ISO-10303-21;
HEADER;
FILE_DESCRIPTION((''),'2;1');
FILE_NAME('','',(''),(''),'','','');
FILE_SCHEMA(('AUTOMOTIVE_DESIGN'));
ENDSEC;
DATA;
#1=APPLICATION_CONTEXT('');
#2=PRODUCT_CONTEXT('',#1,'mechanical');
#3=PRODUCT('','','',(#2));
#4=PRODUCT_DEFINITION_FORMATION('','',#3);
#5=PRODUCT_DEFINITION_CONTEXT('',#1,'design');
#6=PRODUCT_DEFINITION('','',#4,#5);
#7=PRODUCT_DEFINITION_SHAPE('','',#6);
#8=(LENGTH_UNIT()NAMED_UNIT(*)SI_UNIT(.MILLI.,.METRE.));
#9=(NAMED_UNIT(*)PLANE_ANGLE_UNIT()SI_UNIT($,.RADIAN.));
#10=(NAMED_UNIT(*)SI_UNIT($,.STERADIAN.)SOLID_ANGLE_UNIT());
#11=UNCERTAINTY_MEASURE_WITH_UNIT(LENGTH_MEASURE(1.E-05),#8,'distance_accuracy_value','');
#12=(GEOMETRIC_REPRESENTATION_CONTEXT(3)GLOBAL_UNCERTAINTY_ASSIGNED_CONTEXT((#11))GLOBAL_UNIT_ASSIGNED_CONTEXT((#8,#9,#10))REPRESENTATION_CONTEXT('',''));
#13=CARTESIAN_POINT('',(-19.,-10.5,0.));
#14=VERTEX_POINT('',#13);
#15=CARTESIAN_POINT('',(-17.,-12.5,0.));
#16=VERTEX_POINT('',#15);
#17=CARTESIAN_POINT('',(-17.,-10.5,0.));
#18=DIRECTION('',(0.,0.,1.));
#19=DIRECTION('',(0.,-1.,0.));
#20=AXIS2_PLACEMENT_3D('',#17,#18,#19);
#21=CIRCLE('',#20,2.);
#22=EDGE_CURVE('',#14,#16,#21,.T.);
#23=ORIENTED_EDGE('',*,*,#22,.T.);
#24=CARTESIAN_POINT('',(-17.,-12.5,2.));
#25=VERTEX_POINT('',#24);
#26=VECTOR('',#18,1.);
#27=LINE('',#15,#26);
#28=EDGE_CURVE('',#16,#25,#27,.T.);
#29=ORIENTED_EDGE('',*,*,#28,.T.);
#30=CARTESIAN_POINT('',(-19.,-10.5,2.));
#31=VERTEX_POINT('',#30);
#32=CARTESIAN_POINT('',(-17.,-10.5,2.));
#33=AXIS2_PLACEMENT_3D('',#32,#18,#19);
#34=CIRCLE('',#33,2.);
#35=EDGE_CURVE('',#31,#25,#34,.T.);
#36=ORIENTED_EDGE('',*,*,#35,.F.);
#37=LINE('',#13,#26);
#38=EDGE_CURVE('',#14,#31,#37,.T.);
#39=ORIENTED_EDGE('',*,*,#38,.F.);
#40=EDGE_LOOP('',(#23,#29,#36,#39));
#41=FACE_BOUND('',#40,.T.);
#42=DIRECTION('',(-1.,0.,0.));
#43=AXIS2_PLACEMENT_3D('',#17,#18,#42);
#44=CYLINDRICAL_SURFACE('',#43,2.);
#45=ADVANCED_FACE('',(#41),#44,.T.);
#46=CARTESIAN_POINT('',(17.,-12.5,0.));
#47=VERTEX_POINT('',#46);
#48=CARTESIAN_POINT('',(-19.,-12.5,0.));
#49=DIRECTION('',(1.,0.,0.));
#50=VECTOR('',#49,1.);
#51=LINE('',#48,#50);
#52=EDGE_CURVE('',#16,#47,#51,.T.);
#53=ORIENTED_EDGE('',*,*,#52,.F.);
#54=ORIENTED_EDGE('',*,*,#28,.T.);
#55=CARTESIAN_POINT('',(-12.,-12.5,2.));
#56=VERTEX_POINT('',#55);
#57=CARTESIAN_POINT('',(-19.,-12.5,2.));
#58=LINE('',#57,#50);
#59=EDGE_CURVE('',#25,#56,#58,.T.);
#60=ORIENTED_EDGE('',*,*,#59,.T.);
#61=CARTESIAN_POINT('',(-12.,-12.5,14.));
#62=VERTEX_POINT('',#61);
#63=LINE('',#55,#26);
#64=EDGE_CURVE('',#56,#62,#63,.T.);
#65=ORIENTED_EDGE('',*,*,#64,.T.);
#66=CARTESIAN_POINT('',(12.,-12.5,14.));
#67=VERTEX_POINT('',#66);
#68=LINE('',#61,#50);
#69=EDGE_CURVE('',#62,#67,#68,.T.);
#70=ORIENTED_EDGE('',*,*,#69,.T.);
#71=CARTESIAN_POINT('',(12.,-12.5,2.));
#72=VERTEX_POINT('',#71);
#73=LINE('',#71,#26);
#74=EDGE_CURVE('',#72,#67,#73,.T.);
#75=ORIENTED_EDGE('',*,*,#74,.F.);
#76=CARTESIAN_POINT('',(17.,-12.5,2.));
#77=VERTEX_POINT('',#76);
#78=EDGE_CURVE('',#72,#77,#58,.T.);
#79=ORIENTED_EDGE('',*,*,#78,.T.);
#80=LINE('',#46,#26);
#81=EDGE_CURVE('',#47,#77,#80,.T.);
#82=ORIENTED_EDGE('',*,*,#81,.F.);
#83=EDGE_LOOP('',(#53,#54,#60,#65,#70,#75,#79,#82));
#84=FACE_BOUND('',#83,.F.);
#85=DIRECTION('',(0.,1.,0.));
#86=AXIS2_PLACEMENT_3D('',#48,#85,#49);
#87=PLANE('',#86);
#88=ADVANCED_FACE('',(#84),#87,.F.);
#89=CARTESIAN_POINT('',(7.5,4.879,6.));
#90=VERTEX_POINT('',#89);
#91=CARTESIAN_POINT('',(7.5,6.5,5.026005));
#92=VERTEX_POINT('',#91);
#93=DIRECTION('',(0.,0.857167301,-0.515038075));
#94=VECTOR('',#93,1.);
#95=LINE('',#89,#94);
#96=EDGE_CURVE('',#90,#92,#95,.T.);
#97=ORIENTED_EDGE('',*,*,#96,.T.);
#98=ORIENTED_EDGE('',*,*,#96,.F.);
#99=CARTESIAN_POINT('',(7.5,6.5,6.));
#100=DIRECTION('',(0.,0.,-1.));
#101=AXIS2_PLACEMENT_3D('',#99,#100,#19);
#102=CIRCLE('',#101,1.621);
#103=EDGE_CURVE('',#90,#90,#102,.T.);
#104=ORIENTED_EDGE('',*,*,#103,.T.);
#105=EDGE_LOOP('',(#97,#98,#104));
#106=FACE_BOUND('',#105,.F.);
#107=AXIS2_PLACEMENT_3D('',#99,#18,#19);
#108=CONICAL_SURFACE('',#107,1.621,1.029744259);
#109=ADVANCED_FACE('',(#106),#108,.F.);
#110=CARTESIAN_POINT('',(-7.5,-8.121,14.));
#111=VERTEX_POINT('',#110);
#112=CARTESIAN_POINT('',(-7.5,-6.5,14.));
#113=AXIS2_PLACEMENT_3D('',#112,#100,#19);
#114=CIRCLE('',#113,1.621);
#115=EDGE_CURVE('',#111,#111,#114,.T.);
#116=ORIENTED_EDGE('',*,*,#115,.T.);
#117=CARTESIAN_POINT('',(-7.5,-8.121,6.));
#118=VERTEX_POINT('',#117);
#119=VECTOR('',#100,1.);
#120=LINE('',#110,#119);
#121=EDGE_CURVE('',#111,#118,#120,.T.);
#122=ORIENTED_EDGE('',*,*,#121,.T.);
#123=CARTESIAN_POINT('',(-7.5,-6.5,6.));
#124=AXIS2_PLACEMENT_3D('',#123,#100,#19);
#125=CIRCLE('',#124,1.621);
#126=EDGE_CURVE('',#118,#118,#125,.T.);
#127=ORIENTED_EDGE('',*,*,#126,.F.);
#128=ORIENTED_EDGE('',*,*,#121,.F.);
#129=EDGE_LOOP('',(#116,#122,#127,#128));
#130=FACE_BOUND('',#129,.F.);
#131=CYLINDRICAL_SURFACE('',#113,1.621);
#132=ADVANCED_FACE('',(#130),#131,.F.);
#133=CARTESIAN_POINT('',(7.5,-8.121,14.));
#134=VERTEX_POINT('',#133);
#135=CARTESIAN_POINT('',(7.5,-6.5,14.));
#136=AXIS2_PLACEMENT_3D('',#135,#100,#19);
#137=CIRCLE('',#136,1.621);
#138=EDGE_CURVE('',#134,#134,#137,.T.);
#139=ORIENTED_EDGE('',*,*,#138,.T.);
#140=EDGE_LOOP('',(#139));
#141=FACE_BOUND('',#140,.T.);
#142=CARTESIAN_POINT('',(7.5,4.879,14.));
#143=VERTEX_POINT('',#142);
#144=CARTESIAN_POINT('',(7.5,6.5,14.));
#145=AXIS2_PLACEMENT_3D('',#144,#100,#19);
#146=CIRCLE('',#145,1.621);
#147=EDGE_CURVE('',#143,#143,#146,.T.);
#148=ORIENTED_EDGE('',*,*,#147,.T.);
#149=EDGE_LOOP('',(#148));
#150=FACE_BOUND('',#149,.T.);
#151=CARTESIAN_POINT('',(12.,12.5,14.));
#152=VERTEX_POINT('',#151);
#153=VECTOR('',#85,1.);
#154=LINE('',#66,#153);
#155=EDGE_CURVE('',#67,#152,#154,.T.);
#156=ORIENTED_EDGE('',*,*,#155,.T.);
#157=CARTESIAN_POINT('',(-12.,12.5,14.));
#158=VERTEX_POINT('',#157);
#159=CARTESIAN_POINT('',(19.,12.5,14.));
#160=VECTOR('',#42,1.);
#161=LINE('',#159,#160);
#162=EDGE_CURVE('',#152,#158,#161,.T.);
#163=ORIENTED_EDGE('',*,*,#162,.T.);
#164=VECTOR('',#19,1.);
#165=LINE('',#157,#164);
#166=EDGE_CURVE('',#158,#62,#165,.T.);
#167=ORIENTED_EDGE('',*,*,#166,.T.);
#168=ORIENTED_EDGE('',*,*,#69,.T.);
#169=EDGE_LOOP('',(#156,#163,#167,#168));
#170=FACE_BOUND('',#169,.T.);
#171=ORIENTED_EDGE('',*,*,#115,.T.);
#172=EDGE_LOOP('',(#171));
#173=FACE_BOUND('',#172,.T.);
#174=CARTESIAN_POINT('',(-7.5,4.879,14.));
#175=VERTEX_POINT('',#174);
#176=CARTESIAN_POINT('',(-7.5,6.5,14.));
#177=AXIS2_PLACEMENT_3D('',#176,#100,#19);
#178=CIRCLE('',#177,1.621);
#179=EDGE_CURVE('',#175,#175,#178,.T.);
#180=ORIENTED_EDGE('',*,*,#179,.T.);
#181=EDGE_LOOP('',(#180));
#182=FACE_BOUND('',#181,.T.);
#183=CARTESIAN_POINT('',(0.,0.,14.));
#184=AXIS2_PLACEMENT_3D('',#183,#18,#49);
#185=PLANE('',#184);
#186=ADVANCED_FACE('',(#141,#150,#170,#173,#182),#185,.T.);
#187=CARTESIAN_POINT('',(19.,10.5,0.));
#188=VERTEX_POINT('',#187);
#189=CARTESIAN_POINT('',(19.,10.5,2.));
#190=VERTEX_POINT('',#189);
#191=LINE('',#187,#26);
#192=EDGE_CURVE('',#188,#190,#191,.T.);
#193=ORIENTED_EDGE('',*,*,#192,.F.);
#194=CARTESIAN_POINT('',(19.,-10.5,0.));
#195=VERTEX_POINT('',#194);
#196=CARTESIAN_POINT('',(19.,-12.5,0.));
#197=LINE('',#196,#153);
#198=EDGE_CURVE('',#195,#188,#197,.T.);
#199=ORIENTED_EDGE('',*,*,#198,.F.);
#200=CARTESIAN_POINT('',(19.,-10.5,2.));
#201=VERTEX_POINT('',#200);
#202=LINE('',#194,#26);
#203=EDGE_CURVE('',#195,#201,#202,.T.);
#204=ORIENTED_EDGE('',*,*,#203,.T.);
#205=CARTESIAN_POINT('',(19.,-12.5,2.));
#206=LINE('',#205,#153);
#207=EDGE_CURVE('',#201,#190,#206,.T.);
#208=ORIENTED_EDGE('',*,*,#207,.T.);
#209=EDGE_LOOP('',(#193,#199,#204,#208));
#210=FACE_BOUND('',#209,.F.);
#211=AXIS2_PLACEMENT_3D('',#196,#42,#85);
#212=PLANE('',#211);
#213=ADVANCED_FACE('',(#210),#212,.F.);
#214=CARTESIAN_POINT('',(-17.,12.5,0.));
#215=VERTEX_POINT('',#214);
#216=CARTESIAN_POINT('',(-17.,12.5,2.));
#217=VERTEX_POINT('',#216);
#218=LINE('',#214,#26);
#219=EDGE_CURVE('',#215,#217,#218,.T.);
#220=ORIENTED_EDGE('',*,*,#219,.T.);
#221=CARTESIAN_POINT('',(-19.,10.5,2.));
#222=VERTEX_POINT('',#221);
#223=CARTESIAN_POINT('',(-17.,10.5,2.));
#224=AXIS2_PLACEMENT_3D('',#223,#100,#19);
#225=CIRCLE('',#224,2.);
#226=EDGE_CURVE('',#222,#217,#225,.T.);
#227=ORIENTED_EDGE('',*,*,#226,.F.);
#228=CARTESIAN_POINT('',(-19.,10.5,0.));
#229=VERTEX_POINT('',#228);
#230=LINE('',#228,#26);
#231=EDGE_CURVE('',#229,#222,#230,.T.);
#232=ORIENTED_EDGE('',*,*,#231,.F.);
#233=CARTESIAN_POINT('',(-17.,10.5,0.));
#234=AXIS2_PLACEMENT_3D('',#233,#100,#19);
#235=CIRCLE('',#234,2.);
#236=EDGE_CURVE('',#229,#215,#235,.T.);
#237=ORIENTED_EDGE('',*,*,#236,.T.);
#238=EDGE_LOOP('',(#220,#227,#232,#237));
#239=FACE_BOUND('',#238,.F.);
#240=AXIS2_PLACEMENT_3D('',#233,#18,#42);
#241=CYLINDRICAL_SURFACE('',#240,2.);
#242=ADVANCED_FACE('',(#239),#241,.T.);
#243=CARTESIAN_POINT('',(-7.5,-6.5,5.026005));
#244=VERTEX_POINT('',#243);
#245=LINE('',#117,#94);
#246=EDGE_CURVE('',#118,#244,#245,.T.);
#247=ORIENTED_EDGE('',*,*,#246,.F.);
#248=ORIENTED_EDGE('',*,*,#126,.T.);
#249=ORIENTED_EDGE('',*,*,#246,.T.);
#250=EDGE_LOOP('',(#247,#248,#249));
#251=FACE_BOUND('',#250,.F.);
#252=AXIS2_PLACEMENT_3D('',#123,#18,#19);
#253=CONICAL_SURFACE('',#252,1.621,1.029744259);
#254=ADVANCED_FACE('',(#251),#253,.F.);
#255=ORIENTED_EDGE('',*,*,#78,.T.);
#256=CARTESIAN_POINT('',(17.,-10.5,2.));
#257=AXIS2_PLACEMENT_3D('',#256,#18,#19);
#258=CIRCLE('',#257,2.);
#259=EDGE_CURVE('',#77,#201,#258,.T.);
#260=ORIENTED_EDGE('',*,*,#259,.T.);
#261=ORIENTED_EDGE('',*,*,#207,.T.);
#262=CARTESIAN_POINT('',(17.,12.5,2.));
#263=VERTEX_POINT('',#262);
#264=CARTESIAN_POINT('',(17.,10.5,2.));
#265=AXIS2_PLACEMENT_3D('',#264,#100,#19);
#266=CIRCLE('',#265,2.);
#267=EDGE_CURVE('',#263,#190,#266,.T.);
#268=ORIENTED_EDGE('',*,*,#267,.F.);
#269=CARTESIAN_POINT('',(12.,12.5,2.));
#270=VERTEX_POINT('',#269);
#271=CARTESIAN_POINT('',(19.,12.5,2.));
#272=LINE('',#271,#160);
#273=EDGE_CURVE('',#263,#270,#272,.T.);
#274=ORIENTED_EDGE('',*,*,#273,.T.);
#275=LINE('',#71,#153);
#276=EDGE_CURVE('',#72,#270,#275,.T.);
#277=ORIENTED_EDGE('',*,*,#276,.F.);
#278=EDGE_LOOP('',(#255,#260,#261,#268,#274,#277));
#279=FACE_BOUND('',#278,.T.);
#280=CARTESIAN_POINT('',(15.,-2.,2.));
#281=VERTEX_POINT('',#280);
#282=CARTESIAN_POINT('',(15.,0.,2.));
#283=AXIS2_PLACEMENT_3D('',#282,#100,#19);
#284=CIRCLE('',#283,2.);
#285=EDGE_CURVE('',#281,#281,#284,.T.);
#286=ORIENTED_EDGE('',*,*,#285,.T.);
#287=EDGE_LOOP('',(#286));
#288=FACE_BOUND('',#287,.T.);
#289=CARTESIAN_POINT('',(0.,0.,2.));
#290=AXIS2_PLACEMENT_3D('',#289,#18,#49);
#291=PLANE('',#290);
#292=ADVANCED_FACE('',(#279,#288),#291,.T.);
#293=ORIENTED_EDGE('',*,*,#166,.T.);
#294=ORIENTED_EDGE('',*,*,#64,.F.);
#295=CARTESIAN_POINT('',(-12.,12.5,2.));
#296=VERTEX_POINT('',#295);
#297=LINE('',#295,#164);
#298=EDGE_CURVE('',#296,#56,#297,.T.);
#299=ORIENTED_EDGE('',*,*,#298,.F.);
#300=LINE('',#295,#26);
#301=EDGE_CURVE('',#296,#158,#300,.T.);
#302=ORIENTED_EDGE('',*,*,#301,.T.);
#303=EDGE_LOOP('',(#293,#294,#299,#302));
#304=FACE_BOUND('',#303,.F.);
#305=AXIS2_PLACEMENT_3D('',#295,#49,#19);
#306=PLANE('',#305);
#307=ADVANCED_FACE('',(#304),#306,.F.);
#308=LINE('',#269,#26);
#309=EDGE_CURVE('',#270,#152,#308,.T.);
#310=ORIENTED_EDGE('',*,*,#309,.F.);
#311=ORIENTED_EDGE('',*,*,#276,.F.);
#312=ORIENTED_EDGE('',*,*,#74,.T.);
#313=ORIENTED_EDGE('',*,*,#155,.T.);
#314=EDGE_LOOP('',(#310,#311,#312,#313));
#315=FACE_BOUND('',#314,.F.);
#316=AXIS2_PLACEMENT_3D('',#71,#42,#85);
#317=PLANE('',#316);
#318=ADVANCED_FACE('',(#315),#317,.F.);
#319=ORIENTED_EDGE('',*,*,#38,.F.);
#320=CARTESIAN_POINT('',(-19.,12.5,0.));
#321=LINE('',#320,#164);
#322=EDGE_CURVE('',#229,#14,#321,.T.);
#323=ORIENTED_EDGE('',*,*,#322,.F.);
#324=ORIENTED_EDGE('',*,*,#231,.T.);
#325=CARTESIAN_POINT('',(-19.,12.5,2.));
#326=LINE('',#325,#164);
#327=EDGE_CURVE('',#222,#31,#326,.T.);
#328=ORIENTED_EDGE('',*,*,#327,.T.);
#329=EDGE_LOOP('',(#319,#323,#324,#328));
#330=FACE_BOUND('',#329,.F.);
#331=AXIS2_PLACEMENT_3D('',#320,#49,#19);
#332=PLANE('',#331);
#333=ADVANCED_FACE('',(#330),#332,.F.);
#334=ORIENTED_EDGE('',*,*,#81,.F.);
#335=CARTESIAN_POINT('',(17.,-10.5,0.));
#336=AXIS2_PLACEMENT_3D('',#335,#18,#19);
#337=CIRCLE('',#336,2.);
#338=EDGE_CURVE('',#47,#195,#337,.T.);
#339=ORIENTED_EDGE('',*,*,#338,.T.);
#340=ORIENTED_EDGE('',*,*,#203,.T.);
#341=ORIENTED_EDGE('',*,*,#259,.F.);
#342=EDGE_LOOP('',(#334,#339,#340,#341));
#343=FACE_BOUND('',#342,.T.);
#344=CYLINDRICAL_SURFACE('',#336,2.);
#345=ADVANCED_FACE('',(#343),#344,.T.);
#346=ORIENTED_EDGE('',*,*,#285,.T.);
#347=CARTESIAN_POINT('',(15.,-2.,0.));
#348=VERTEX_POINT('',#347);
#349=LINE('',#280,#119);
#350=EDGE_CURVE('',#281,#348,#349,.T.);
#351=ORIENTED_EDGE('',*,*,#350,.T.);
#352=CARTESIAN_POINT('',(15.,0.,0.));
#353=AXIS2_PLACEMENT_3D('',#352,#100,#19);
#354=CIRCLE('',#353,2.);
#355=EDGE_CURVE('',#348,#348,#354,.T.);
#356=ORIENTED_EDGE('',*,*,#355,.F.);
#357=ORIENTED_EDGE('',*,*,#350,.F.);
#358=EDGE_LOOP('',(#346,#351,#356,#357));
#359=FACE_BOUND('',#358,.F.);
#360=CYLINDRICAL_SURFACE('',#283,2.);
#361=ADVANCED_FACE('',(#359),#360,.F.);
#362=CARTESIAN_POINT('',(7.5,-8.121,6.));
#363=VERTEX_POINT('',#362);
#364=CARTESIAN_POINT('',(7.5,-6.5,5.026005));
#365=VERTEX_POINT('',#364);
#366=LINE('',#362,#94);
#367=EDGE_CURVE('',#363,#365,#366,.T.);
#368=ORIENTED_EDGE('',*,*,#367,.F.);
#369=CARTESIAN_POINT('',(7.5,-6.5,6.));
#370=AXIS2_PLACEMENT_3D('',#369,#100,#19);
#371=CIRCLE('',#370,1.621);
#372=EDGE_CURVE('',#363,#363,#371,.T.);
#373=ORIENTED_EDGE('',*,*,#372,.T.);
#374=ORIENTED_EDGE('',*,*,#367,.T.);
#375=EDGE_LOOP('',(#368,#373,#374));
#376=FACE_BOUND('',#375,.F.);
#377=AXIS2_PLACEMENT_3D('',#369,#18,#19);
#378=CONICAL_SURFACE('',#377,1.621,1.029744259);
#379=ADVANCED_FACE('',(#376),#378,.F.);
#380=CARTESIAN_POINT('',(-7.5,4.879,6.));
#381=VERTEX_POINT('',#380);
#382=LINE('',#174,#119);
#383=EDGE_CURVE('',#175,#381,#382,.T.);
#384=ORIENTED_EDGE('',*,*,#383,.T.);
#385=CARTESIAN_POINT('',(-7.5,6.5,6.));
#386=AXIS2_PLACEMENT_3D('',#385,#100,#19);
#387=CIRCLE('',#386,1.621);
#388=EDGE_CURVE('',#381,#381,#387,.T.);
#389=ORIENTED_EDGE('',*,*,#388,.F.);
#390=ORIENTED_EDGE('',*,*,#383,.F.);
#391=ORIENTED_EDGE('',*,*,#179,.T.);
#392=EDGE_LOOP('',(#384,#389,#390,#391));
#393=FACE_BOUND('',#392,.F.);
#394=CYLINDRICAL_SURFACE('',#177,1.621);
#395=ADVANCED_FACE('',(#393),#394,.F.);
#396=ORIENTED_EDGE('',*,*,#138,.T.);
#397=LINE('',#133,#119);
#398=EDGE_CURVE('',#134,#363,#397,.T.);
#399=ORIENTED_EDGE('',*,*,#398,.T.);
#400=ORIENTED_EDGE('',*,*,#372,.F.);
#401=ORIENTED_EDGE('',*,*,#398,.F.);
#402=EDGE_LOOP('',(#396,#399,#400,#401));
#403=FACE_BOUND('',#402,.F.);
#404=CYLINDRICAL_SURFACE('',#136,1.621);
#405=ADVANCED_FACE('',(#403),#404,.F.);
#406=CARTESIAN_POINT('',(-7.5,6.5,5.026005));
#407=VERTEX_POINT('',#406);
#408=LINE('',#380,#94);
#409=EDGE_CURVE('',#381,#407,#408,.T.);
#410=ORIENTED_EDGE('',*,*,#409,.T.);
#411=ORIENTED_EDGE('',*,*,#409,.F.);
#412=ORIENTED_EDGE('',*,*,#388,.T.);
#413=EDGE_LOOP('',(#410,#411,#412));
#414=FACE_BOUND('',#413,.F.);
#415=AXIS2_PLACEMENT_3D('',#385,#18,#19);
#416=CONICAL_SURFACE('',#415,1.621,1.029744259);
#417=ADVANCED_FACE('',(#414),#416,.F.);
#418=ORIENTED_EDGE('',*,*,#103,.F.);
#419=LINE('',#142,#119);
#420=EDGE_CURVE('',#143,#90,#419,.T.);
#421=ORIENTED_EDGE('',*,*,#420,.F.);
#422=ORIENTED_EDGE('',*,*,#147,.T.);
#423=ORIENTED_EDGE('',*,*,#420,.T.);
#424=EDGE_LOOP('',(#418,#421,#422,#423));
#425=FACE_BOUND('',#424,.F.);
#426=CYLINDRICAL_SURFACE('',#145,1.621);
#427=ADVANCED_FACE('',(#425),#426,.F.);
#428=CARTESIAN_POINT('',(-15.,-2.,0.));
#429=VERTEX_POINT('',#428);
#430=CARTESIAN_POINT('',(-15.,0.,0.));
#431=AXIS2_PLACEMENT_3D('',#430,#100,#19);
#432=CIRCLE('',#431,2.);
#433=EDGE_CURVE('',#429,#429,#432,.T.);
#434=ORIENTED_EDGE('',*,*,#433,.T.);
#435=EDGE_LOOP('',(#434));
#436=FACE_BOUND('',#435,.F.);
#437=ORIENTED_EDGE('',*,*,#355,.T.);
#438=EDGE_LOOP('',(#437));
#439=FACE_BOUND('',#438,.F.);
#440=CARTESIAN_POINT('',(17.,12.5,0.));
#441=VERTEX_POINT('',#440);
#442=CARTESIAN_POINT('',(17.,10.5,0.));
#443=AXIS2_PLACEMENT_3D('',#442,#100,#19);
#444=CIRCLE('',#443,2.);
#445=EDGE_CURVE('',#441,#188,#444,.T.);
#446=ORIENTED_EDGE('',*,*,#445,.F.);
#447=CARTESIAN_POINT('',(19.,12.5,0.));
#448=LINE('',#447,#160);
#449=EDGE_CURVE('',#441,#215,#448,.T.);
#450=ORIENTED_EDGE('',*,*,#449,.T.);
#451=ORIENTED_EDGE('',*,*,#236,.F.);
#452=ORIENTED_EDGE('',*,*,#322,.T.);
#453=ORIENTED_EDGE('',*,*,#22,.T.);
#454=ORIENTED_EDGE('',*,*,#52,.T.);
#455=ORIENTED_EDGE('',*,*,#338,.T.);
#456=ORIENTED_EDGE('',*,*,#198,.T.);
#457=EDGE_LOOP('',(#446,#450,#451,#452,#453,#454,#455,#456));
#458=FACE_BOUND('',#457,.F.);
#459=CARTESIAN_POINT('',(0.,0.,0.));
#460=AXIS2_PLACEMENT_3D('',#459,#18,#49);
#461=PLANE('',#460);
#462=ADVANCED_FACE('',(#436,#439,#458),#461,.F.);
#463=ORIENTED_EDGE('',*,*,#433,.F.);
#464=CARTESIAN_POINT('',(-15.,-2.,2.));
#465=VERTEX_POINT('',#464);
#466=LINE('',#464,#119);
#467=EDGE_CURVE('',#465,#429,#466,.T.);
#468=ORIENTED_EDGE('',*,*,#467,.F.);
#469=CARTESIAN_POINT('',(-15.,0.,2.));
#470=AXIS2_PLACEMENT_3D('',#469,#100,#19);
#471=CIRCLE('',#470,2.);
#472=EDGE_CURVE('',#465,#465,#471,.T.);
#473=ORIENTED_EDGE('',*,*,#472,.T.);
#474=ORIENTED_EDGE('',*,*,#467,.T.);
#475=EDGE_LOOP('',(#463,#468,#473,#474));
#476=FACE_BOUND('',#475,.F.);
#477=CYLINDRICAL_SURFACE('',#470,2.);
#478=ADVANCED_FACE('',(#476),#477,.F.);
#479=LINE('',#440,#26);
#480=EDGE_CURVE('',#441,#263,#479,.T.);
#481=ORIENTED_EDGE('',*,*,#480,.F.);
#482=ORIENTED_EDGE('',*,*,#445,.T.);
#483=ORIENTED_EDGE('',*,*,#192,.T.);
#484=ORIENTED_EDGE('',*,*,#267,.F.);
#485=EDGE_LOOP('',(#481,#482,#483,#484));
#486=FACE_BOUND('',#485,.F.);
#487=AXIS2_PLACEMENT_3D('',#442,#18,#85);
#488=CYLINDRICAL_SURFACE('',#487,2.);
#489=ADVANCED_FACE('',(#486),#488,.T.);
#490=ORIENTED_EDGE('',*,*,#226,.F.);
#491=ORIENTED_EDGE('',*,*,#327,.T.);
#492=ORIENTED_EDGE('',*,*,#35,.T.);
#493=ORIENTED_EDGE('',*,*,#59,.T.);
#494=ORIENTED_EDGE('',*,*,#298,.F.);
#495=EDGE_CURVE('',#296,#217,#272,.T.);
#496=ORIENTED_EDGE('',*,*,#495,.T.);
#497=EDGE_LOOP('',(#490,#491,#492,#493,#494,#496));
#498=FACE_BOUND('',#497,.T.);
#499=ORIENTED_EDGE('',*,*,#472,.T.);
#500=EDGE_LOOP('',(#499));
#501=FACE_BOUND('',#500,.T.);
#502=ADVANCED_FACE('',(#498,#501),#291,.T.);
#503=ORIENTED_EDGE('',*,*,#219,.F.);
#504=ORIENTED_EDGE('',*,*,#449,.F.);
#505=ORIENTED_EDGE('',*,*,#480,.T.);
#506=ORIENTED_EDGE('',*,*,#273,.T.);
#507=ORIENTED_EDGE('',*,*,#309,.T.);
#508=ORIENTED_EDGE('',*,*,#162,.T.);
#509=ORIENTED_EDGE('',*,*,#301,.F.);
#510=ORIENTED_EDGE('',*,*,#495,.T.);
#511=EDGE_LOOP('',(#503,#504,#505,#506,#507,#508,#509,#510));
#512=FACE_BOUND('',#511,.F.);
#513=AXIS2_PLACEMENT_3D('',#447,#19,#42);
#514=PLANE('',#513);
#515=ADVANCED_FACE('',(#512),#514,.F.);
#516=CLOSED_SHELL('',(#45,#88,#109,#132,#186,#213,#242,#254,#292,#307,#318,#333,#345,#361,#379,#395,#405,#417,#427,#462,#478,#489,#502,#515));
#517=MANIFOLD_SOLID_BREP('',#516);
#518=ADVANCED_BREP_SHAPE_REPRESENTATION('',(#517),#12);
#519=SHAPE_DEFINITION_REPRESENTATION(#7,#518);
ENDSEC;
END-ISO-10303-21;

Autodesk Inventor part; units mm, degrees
ref_plane "YZ Plane" through (0, 0, 0) normal (1, 0, 0) x (0, 1, 0)
ref_plane "XZ Plane" through (0, 0, 0) normal (0, 1, 0) x (-1, 0, 0)
ref_plane "XY Plane" through (0, 0, 0) normal (0, 0, 1) x (1, 0, 0)
sketch "Sketch1" plane through (0, 0, 0) normal (0, 0, 1) x (1, 0, 0)
  line L0 (-19, -12.5) -> (19, -12.5)
  line L1 (19, -12.5) -> (19, 12.5)
  line L2 (19, 12.5) -> (-19, 12.5)
  line L3 (-19, 12.5) -> (-19, -12.5)
  line L4 (-19, -12.5) -> (19, 12.5) construction
  line L5 (19, -12.5) -> (-19, 12.5) construction
  point P0 (0, 0)
  dimension "d0" = 38
  dimension "d1" = 25
extrude "Extrusion1" add sketch "Sketch1" along normal blind 2
sketch "Sketch2" plane through (0, 0, 2) normal (0, 0, 1) x (1, 0, 0)
  line L0 (19, 12.5) -> (-19, 12.5) projected
  line L1 (-12, -12.5) -> (12, -12.5)
  line L2 (12, -12.5) -> (12, 12.5)
  line L3 (12, 12.5) -> (-12, 12.5)
  line L4 (-12, 12.5) -> (-12, -12.5)
  line L5 (-12, -12.5) -> (12, 12.5) construction
  line L6 (12, -12.5) -> (-12, 12.5) construction
  point P0 (0, 0)
  dimension "d4" = 24
extrude "Extrusion2" add sketch "Sketch2" along normal blind 12
sketch "Sketch3" plane through (0, 0, 2) normal (0, 0, 1) x (1, 0, 0)
  line L0 (-15, 0) -> (15, 0) construction
  point P0 (0, 0)
  point P1 (0, 0)
  dimension "d7" = 30
hole "Hole1" at (-15, 0, 2) at (15, 0, 2) direction (0, 0, -1) diameter 4 end through all
sketch "Sketch4" plane through (0, 0, 14) normal (0, 0, 1) x (1, 0, 0)
  line L0 (-7.5, -6.5) -> (7.5, -6.5) construction
  line L1 (7.5, -6.5) -> (7.5, 6.5) construction
  line L2 (7.5, 6.5) -> (-7.5, 6.5) construction
  line L3 (-7.5, 6.5) -> (-7.5, -6.5) construction
  line L4 (-7.5, -6.5) -> (7.5, 6.5) construction
  line L5 (7.5, -6.5) -> (-7.5, 6.5) construction
  point P0 (0, 0)
  dimension "d15" = 15
  dimension "d16" = 13
hole "Hole2" at (-7.5, 6.5, 14) at (7.5, 6.5, 14) at (7.5, -6.5, 14) at (-7.5, -6.5, 14) direction (0, 0, -1) diameter 3.242 depth 8 tip angle 118 thread size "M4x0.7" class "6H" standard "ISO Metric profile"
fillet "Fillet1" radius 2 4 edges at (-19, -12.5, 1) (19, -12.5, 1) (19, 12.5, 1) (-19, 12.5, 1)
properties part number "GT175DA120U"
